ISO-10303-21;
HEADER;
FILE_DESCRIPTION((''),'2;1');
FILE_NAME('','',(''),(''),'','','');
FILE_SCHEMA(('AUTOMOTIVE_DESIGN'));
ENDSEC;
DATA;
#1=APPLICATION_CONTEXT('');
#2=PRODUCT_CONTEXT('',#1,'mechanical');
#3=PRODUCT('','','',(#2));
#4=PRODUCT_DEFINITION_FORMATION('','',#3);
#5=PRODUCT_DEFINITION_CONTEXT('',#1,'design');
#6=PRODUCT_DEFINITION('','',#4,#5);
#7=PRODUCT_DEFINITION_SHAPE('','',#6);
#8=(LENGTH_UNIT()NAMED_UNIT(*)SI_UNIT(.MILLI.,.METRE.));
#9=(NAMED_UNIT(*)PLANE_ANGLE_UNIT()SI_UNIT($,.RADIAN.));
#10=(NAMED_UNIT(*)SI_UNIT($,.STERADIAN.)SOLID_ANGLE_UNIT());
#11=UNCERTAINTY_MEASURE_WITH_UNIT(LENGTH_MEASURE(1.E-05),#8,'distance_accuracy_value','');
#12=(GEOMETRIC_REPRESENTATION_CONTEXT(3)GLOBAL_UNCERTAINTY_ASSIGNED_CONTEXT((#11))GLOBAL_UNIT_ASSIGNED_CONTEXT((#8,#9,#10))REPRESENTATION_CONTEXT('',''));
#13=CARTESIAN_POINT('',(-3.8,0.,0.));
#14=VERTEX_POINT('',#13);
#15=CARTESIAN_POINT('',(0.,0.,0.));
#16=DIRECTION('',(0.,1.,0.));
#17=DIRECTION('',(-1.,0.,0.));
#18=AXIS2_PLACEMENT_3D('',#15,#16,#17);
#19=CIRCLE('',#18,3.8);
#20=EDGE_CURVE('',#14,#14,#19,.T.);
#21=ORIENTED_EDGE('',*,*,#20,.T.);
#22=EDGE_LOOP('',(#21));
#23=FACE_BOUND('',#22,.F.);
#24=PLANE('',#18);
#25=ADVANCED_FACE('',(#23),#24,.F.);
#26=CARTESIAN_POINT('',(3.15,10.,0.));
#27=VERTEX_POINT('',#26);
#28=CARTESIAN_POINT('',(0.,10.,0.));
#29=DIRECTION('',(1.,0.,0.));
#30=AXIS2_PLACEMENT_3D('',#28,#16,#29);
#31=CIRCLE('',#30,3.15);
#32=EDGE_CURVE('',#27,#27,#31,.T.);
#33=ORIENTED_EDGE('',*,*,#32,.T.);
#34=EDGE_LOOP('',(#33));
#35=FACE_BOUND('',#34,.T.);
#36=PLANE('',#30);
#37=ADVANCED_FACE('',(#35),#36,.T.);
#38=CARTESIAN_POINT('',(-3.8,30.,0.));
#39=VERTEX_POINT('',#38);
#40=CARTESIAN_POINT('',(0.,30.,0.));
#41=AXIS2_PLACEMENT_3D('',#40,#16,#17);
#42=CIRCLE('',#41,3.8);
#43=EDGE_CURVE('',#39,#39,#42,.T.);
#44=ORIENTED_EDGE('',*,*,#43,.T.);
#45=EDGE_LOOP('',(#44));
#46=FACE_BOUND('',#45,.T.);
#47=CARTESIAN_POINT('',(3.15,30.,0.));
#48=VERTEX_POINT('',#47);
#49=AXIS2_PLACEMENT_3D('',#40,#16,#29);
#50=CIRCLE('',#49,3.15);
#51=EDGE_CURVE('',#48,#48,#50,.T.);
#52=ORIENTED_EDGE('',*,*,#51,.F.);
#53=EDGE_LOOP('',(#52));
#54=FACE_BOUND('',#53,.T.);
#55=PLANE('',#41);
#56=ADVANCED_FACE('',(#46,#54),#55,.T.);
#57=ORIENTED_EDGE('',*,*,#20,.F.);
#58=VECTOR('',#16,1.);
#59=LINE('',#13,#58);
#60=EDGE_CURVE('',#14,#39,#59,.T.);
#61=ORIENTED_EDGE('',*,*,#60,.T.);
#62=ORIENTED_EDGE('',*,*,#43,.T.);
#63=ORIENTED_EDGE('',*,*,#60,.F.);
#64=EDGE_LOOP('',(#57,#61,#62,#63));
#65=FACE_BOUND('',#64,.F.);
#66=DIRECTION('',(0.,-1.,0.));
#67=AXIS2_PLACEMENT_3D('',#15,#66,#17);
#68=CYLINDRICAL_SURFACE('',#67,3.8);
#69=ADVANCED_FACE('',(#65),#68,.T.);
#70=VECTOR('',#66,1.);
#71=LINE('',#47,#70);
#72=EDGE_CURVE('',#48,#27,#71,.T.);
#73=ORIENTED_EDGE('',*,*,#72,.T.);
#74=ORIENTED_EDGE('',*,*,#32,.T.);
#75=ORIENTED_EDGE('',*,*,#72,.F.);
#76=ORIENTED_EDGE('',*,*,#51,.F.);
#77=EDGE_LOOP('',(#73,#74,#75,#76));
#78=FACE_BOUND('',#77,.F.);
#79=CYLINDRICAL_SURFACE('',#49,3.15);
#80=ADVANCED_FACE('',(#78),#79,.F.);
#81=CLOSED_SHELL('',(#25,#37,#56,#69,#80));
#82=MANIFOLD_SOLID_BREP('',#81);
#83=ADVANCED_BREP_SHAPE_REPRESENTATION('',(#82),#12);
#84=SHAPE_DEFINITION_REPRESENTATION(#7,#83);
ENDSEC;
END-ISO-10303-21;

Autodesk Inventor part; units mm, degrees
ref_plane "YZ Plane" through (0, 0, 0) normal (1, 0, 0) x (0, 1, 0)
ref_plane "XZ Plane" through (0, 0, 0) normal (0, 1, 0) x (-1, 0, 0)
ref_plane "XY Plane" through (0, 0, 0) normal (0, 0, 1) x (1, 0, 0)
sketch "Boceto1" plane through (0, 0, 0) normal (0, 1, 0) x (-1, 0, 0)
  circle A0 centre (0, 0) radius 3.8
  dimension "d0" = 7.6
extrude "Extrusión1" add sketch "Boceto1" along normal blind 30
sketch "Boceto2" plane through (0, 30, 0) normal (0, 1, 0) x (1, 0, 0)
  circle A0 centre (0, 0) radius 3.15
  dimension "d3" = 6.3
extrude "Extrusión2" cut sketch "Boceto2" against normal blind 20
properties part number "Ejepot"
